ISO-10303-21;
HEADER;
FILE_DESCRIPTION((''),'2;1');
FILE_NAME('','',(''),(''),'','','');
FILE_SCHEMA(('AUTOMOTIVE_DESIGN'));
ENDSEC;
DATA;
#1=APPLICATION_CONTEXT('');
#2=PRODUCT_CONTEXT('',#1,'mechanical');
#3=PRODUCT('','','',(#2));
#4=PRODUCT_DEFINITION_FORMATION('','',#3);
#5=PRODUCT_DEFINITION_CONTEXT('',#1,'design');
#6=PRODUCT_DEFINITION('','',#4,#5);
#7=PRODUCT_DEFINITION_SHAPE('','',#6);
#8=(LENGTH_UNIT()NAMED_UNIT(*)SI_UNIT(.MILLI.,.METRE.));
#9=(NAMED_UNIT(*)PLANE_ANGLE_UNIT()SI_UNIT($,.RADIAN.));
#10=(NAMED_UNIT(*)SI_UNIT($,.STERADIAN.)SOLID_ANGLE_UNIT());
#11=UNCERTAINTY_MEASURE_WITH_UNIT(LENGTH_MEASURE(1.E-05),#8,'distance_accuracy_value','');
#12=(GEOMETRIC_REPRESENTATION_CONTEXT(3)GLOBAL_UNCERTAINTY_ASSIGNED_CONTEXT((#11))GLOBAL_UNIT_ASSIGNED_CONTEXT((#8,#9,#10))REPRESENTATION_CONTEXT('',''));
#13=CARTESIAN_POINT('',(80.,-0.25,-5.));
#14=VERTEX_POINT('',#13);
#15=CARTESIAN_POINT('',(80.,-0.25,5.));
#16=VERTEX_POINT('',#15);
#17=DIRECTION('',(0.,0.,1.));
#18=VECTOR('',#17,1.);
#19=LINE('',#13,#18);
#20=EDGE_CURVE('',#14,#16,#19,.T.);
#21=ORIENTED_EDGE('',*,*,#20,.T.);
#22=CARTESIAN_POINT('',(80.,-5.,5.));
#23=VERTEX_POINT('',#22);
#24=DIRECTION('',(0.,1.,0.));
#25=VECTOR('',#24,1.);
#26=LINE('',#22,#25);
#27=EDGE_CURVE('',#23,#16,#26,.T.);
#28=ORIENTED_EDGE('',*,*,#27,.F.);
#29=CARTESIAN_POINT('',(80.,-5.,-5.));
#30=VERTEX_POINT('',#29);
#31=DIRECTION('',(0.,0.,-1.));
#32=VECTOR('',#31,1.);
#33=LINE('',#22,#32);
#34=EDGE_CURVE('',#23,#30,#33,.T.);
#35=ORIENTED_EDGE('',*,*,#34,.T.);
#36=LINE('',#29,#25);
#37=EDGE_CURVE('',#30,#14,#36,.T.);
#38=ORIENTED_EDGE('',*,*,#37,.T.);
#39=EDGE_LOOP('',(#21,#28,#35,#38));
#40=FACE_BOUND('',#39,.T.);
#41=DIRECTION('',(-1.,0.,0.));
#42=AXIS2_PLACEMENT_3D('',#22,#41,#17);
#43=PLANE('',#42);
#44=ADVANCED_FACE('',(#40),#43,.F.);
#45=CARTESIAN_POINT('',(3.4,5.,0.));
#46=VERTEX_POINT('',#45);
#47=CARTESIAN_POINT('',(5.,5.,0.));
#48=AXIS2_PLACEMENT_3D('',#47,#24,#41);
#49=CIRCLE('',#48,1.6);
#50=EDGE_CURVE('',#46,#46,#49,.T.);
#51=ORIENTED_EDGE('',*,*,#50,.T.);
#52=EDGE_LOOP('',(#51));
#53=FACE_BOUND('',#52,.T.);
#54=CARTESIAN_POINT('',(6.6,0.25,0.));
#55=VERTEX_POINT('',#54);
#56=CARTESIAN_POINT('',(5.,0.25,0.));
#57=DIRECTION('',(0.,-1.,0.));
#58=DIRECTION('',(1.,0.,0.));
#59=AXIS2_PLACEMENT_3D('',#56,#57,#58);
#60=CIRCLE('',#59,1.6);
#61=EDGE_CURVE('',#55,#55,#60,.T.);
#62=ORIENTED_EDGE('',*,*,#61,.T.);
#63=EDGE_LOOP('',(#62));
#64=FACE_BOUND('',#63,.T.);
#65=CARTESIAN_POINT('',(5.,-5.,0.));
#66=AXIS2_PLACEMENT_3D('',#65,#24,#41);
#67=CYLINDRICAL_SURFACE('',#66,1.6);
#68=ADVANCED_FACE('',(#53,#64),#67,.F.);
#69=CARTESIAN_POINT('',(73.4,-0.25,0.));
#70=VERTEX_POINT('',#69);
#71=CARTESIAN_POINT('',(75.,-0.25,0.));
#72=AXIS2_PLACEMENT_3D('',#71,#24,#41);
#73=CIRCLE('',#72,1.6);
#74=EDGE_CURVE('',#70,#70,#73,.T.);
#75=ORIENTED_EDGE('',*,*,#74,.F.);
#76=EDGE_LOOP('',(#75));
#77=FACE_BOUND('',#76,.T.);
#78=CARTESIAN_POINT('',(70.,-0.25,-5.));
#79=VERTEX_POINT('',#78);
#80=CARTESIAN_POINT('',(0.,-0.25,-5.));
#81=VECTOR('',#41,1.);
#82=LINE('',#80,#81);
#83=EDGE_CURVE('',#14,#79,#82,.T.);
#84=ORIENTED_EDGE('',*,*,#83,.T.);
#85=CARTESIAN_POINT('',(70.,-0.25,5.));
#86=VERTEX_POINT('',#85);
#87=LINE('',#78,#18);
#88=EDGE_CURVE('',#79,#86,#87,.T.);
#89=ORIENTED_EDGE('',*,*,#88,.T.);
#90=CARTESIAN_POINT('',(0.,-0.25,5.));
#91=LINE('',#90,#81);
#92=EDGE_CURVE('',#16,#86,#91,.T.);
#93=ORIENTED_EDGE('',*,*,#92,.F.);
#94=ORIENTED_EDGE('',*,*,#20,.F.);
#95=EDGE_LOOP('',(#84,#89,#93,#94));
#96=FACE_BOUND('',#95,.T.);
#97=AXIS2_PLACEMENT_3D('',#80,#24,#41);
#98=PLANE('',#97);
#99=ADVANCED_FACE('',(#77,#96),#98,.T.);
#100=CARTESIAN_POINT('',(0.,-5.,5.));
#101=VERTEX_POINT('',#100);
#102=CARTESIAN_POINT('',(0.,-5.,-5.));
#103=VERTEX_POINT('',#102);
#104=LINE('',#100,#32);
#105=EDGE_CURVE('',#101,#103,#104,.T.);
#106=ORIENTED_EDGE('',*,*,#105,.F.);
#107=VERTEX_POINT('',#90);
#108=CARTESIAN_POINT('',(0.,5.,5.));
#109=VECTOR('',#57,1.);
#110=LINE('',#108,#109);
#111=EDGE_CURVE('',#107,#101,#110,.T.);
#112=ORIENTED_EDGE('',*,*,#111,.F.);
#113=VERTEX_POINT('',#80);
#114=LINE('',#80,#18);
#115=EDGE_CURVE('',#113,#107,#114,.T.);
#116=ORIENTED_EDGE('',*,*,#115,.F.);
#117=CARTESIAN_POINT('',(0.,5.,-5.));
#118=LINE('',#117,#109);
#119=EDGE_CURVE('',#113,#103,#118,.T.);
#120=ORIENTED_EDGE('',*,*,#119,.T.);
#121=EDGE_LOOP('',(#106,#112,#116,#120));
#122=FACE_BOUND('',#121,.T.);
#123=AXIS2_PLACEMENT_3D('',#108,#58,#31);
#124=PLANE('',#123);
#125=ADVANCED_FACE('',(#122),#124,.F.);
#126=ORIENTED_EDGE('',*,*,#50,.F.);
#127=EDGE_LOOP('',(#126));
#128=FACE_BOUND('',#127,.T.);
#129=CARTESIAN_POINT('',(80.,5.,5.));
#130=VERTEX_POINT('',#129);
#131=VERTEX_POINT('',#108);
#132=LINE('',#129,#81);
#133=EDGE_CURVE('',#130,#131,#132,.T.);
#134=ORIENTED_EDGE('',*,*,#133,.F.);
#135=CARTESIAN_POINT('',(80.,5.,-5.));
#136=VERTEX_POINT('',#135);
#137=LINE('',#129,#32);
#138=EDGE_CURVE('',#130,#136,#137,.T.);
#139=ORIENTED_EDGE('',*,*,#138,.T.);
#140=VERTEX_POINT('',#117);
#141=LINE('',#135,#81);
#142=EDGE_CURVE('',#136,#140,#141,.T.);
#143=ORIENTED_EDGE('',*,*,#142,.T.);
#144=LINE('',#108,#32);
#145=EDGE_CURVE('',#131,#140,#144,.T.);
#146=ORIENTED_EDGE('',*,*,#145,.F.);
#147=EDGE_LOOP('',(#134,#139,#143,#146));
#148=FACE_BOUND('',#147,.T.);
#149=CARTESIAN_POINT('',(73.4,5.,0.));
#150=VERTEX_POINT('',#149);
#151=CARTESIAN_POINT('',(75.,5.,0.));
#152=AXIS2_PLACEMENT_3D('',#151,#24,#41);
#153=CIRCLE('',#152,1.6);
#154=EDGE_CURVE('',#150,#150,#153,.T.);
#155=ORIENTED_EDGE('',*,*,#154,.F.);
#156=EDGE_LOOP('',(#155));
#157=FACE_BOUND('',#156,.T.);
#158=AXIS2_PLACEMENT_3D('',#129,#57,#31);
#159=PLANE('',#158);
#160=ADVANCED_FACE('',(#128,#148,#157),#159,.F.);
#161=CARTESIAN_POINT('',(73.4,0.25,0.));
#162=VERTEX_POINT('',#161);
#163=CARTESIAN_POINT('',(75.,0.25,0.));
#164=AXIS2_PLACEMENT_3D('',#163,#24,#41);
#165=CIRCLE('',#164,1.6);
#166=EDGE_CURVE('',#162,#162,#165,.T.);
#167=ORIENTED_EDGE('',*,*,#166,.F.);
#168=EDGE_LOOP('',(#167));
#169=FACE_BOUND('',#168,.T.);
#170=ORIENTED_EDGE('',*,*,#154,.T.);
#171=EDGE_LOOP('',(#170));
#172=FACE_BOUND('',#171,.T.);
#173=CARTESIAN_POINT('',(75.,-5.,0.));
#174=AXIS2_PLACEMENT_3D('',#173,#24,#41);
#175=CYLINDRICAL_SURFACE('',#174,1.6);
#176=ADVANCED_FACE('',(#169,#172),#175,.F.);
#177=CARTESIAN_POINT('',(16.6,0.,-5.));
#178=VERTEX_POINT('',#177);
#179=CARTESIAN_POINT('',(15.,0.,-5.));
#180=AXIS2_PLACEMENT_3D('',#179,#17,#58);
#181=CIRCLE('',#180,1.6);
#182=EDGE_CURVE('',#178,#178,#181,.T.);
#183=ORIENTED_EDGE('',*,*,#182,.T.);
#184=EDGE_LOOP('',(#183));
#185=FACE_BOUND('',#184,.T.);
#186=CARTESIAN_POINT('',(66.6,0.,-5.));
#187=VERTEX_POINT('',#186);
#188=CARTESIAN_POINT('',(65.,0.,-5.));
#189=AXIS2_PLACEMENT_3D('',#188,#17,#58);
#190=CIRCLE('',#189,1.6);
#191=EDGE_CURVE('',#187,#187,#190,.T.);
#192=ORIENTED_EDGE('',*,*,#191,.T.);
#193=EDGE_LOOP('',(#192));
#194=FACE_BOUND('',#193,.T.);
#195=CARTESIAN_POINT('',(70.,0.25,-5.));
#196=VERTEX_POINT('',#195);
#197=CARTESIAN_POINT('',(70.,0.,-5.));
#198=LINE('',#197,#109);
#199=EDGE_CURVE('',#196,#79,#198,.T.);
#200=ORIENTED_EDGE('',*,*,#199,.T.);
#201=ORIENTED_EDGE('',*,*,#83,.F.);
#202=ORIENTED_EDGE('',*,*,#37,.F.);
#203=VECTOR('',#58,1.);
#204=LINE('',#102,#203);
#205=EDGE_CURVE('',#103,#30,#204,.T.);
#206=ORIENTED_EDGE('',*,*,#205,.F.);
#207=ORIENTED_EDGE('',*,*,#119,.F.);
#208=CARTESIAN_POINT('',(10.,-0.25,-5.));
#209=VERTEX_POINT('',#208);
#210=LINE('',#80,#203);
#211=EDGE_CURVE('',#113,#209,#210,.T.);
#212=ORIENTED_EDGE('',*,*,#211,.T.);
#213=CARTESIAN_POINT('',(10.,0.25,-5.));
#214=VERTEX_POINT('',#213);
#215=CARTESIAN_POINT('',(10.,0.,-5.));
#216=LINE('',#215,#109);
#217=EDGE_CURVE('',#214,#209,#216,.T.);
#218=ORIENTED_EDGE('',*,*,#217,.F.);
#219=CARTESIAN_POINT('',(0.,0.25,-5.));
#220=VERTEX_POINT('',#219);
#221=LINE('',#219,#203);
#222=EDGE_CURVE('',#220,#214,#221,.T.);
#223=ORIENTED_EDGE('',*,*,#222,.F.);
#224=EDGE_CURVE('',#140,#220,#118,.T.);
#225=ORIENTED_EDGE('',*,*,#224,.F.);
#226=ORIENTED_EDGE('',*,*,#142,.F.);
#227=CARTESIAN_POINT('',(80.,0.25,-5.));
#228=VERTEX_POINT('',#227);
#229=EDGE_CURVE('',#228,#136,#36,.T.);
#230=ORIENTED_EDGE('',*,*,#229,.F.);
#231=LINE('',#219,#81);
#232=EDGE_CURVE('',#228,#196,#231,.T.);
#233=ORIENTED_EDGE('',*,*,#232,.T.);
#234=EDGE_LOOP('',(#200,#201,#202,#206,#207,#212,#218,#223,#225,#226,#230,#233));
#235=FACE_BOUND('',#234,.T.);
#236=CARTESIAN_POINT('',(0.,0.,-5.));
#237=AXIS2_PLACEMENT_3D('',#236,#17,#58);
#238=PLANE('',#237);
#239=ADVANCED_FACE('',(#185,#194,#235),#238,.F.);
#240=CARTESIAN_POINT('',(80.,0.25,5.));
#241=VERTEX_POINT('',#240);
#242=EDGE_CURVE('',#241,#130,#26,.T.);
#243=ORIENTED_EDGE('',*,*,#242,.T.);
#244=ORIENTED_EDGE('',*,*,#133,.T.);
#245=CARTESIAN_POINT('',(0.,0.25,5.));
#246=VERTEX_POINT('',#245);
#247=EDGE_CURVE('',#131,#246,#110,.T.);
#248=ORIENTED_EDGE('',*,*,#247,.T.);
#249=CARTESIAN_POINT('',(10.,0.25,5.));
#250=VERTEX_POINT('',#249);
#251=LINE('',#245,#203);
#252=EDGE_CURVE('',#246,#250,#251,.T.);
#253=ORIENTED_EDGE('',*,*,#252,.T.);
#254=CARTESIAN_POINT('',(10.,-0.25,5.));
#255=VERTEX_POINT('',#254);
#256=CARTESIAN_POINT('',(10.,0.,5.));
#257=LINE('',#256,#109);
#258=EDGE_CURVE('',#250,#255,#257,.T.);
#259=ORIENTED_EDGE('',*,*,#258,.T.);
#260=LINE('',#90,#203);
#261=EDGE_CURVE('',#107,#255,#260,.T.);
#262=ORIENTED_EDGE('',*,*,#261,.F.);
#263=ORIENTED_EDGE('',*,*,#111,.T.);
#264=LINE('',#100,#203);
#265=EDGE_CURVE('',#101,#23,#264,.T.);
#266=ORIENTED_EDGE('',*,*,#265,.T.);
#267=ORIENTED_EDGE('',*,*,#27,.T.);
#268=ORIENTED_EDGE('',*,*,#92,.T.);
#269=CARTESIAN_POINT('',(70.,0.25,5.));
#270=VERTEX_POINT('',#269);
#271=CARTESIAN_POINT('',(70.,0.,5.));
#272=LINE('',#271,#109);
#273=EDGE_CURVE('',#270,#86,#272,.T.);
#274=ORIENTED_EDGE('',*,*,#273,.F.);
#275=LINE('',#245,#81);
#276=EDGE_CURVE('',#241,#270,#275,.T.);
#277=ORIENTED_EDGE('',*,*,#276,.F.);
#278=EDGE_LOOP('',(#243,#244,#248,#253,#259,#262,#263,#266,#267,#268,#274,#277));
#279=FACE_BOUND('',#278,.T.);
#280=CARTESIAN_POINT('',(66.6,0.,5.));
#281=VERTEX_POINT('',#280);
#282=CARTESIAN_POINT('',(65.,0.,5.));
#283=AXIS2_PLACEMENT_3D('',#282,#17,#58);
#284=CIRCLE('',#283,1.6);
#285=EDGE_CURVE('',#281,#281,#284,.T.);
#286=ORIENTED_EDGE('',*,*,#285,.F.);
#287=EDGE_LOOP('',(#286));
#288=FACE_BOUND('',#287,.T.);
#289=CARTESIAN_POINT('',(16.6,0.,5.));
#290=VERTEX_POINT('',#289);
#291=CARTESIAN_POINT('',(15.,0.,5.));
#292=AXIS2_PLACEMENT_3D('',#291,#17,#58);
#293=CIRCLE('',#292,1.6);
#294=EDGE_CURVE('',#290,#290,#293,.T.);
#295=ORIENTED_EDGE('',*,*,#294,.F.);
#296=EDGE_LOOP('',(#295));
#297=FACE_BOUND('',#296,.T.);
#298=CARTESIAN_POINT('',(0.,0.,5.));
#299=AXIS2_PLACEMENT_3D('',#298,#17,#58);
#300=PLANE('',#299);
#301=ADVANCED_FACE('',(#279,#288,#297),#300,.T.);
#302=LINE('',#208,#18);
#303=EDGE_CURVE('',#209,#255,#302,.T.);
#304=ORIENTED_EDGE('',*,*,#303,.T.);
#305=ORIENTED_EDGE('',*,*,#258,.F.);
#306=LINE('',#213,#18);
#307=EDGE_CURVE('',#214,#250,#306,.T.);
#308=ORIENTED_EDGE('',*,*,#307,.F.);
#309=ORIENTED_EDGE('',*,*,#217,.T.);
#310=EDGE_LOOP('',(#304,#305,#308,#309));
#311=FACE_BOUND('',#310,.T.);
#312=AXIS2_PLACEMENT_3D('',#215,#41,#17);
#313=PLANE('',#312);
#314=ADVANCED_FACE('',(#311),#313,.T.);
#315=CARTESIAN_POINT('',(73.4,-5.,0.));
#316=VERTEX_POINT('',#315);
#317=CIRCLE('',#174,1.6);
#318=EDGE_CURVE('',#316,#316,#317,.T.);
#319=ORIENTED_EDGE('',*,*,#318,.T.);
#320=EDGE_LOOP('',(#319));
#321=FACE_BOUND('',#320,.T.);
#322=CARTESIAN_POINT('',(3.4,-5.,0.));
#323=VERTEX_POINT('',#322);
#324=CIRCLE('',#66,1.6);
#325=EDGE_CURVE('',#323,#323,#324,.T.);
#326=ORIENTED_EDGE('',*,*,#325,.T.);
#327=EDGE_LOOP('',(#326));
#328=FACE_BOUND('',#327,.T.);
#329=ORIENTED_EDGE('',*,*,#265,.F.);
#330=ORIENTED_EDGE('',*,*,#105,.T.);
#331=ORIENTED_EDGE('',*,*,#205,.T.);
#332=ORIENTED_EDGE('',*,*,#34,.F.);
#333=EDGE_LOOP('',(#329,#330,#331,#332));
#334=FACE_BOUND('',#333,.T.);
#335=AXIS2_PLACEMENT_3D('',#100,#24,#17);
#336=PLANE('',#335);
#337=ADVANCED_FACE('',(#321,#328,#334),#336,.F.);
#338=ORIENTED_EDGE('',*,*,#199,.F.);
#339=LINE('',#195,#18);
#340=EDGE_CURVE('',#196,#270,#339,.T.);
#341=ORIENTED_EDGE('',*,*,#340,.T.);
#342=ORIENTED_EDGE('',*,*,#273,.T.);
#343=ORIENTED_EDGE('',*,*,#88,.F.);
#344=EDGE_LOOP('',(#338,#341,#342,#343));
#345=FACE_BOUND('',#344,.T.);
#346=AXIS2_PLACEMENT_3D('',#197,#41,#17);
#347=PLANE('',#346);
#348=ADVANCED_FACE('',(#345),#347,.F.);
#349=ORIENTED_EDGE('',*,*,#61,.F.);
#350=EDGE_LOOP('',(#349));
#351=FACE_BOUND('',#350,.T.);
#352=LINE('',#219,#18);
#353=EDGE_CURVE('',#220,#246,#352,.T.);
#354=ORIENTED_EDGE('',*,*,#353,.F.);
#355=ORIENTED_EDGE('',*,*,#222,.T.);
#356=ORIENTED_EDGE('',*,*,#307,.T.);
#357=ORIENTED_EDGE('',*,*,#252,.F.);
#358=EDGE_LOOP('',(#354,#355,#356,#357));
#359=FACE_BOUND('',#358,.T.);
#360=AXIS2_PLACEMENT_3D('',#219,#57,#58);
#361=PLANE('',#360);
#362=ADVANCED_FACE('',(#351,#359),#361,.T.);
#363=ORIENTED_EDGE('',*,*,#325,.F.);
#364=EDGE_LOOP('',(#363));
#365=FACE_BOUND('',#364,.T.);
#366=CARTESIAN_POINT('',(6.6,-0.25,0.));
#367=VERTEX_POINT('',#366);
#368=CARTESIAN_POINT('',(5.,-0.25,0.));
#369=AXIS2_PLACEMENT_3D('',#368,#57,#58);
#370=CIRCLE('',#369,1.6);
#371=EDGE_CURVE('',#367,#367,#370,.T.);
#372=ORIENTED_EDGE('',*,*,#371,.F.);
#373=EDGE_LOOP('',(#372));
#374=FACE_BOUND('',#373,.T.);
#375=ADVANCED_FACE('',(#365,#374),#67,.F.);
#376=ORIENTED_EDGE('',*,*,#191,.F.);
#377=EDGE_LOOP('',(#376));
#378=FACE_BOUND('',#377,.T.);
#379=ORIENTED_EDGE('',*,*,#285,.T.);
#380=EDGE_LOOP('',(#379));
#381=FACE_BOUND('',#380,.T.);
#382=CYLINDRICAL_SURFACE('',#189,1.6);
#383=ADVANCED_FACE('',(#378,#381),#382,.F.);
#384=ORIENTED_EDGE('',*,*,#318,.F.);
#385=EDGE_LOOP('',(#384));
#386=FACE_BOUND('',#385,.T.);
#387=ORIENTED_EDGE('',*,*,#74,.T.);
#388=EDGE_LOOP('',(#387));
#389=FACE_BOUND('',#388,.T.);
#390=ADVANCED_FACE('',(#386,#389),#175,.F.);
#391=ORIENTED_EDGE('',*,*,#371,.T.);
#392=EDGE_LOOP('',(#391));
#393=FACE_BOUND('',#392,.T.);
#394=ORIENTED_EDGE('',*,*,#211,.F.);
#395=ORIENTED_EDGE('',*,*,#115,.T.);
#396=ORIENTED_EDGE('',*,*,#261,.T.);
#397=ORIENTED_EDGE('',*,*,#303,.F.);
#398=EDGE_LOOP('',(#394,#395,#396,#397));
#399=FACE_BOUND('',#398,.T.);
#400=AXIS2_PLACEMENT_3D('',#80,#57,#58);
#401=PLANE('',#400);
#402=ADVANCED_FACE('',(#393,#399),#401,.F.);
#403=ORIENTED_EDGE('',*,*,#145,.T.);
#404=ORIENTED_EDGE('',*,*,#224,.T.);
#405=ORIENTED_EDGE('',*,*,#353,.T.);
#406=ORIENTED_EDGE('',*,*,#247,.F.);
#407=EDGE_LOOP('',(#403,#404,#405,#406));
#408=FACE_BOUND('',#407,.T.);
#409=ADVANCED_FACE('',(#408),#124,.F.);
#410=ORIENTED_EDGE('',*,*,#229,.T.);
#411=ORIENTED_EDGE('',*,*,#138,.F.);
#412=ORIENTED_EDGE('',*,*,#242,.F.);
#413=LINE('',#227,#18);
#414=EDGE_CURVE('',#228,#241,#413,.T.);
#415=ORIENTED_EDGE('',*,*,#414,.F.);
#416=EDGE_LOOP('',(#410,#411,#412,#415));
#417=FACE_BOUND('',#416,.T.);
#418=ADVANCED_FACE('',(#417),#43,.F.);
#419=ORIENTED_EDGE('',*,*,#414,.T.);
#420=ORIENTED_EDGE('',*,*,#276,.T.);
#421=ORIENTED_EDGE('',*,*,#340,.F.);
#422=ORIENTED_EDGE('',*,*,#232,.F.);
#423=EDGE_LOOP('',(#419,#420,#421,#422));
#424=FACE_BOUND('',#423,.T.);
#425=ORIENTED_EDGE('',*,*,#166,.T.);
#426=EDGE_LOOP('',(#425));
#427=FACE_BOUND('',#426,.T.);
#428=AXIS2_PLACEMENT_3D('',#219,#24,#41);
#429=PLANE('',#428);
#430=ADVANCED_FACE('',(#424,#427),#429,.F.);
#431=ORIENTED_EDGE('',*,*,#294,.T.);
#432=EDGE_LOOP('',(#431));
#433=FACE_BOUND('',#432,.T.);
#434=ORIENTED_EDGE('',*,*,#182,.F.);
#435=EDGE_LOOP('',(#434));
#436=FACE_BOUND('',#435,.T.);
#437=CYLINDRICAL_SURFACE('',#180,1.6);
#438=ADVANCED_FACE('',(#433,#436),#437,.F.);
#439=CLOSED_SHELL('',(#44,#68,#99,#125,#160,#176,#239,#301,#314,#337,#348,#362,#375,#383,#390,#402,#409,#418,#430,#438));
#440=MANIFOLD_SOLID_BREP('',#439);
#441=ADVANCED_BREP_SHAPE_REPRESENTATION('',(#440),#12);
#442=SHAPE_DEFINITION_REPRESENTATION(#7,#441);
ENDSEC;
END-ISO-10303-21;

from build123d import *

# Parameters (mm, degrees)
SKETCH1_W           = 80
SKETCH1_H           = 10
BOSS_EXTRUDE1_DEPTH = 5
SKETCH2_W           = 10
SKETCH2_H           = 0.5
CUT_EXTRUDE1_DEPTH  = 81.777472107
SKETCH3_R           = 1.6
CUT_EXTRUDE2_DEPTH  = 81.777472107
SKETCH5_R           = 1.6
CUT_EXTRUDE3_DEPTH  = 81.777472107


with BuildPart() as part:
    # Sketch1 → Boss-Extrude1 (new, symmetric)
    with BuildSketch(Plane.XY):
        with Locations((40, 0)):
            Rectangle(SKETCH1_W, SKETCH1_H)
    extrude(amount=BOSS_EXTRUDE1_DEPTH, both=True)

    # Sketch2 → Cut-Extrude1 (cut, through all)
    with BuildSketch(Plane.XY.offset(5)):
        with Locations((5, 0)):
            Rectangle(SKETCH2_W, SKETCH2_H)
        with Locations((75, 0)):
            Rectangle(SKETCH2_W, SKETCH2_H)
    extrude(amount=-CUT_EXTRUDE1_DEPTH, mode=Mode.SUBTRACT)

    # Sketch3 → Cut-Extrude2 (cut, through all)
    with BuildSketch(Plane(origin=(0, 5, 0), x_dir=(1, 0, 0), z_dir=(0, 1, 0))):
        with Locations(Location((5, 0, 0), (0, 0, 180))):
            Circle(SKETCH3_R)
        with Locations(Location((75, 0, 0), (0, 0, 180))):
            Circle(SKETCH3_R)
    extrude(amount=-CUT_EXTRUDE2_DEPTH, mode=Mode.SUBTRACT)

    # Sketch5 → Cut-Extrude3 (cut, through all)
    with BuildSketch(Plane.XY.offset(5)):
        with Locations((15, 0)):
            Circle(SKETCH5_R)
        with Locations((65, 0)):
            Circle(SKETCH5_R)
    extrude(amount=-CUT_EXTRUDE3_DEPTH, mode=Mode.SUBTRACT)


solid = part.part
